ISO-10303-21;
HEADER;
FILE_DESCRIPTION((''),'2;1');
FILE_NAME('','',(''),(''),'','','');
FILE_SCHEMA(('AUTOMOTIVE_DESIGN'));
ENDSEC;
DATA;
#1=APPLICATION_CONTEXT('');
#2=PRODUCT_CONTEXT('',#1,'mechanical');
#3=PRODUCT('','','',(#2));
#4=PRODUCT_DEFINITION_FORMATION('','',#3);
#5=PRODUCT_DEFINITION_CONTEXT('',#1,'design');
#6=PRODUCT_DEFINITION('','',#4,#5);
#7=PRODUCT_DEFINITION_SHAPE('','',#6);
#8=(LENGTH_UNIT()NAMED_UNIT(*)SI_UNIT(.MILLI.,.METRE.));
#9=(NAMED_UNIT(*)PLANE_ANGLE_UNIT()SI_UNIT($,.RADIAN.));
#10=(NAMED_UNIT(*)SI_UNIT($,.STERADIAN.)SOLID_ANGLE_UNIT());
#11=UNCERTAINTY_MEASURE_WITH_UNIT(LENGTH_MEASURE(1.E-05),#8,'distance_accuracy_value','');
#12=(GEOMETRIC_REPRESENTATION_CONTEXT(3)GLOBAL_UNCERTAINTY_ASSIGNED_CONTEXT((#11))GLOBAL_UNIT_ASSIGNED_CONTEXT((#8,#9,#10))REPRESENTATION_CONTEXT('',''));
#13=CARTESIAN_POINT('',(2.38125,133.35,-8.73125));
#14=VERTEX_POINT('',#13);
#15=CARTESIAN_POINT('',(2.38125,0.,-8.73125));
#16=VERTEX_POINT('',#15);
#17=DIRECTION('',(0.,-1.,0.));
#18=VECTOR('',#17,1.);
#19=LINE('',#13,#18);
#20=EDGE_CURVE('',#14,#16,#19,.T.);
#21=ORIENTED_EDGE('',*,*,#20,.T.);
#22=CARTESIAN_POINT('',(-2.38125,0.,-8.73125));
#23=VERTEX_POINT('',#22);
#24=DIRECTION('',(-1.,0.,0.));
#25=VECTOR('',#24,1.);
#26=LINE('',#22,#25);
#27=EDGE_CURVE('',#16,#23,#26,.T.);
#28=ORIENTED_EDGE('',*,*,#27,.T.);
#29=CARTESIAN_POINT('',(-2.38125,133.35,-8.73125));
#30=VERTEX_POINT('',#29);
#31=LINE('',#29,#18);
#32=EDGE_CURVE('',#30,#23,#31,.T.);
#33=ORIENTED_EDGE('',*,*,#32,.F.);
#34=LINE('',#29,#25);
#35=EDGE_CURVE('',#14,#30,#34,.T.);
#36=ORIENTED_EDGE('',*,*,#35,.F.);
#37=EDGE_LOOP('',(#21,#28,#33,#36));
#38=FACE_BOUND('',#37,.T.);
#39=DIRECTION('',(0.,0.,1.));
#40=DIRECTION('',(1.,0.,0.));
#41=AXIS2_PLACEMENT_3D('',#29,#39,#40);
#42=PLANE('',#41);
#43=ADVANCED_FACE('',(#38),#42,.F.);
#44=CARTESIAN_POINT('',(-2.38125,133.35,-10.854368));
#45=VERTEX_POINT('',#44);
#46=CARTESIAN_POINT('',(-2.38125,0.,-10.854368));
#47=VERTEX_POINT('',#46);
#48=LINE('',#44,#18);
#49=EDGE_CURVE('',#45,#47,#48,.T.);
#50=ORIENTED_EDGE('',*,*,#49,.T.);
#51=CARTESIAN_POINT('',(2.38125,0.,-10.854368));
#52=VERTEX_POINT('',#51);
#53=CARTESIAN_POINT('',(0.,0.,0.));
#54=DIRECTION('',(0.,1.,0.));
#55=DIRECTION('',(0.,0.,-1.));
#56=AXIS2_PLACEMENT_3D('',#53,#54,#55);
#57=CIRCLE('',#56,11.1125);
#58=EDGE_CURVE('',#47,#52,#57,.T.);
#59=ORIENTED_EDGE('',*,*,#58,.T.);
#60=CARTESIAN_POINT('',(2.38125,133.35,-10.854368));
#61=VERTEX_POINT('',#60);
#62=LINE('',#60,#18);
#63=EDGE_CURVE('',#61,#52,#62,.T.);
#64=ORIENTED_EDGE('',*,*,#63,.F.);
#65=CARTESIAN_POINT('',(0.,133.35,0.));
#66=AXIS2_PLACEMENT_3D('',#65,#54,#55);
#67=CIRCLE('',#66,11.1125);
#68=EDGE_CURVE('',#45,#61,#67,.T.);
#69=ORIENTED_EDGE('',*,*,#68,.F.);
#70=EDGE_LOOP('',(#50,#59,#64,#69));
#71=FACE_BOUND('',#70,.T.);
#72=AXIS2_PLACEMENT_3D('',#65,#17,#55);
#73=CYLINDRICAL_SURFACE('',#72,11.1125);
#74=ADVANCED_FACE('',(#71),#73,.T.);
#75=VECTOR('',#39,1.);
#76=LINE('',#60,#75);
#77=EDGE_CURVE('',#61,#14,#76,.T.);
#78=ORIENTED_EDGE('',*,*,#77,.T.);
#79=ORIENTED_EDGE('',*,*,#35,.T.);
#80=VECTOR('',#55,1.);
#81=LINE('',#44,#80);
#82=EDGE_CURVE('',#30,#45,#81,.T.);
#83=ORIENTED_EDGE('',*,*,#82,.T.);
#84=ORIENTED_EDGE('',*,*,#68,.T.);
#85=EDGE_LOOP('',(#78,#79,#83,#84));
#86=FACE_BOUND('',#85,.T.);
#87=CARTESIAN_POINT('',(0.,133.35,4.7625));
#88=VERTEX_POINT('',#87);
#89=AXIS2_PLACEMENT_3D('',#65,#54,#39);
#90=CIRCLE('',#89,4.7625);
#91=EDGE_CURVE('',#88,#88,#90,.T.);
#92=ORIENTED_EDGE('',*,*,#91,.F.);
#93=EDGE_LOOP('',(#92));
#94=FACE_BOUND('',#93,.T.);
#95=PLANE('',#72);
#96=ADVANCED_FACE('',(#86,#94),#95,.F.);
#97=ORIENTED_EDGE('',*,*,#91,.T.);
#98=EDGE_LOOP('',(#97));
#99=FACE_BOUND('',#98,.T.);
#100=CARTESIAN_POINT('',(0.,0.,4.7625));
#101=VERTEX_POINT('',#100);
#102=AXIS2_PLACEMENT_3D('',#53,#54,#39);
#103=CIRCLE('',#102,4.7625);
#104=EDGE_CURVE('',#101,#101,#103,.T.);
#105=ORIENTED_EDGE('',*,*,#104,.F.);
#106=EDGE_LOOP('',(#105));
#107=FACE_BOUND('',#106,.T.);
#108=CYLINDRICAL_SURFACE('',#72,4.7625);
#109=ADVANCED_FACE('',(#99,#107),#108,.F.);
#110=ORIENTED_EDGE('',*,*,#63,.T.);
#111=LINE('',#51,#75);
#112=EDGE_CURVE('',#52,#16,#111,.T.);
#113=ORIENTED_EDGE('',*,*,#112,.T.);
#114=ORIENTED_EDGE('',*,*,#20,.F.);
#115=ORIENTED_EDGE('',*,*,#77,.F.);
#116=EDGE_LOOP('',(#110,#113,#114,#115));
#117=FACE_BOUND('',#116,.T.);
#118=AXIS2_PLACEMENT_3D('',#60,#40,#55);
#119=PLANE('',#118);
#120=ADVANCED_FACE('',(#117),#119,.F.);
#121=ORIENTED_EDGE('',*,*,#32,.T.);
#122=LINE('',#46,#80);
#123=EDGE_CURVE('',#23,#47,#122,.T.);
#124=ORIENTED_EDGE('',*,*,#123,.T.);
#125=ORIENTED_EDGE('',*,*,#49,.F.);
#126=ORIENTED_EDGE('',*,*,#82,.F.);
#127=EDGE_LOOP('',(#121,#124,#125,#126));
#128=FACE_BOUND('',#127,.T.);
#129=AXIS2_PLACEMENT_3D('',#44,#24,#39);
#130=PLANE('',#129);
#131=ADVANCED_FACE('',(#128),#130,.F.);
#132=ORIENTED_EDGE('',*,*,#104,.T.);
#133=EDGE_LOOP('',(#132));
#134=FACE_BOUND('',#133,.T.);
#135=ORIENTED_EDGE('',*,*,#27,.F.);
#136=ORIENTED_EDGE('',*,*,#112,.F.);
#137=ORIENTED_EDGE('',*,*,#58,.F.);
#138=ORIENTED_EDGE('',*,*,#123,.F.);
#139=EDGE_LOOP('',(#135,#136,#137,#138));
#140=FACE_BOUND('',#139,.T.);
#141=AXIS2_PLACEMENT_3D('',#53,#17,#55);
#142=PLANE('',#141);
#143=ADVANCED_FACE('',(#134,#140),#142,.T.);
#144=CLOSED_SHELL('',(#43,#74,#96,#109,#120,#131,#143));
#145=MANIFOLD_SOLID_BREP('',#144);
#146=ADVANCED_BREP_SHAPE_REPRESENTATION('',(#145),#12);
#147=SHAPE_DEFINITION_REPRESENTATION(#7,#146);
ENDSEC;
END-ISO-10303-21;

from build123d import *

# Parameters (mm, degrees)
SKETCH1_R   = 4.7625
SHAFT_DEPTH = 133.35


with BuildPart() as part:
    # Sketch1 → Shaft (new body)
    with BuildSketch(Plane(origin=(0, 0, 0), x_dir=(1, 0, 0), z_dir=(0, 1, 0))):
        with BuildLine():
            Line((-2.38125, 10.854368), (-2.38125, 8.73125))
            Line((-2.38125, 8.73125), (2.38125, 8.73125))
            Line((2.38125, 8.73125), (2.38125, 10.854368))
            ThreePointArc((2.38125, 10.854368), (0, -11.1125), (-2.38125, 10.854368))
        make_face()
        with Locations(Location((0, 0, 0), (0, 0, 270))):
            Circle(SKETCH1_R, mode=Mode.SUBTRACT)
    extrude(amount=SHAFT_DEPTH)


solid = part.part
